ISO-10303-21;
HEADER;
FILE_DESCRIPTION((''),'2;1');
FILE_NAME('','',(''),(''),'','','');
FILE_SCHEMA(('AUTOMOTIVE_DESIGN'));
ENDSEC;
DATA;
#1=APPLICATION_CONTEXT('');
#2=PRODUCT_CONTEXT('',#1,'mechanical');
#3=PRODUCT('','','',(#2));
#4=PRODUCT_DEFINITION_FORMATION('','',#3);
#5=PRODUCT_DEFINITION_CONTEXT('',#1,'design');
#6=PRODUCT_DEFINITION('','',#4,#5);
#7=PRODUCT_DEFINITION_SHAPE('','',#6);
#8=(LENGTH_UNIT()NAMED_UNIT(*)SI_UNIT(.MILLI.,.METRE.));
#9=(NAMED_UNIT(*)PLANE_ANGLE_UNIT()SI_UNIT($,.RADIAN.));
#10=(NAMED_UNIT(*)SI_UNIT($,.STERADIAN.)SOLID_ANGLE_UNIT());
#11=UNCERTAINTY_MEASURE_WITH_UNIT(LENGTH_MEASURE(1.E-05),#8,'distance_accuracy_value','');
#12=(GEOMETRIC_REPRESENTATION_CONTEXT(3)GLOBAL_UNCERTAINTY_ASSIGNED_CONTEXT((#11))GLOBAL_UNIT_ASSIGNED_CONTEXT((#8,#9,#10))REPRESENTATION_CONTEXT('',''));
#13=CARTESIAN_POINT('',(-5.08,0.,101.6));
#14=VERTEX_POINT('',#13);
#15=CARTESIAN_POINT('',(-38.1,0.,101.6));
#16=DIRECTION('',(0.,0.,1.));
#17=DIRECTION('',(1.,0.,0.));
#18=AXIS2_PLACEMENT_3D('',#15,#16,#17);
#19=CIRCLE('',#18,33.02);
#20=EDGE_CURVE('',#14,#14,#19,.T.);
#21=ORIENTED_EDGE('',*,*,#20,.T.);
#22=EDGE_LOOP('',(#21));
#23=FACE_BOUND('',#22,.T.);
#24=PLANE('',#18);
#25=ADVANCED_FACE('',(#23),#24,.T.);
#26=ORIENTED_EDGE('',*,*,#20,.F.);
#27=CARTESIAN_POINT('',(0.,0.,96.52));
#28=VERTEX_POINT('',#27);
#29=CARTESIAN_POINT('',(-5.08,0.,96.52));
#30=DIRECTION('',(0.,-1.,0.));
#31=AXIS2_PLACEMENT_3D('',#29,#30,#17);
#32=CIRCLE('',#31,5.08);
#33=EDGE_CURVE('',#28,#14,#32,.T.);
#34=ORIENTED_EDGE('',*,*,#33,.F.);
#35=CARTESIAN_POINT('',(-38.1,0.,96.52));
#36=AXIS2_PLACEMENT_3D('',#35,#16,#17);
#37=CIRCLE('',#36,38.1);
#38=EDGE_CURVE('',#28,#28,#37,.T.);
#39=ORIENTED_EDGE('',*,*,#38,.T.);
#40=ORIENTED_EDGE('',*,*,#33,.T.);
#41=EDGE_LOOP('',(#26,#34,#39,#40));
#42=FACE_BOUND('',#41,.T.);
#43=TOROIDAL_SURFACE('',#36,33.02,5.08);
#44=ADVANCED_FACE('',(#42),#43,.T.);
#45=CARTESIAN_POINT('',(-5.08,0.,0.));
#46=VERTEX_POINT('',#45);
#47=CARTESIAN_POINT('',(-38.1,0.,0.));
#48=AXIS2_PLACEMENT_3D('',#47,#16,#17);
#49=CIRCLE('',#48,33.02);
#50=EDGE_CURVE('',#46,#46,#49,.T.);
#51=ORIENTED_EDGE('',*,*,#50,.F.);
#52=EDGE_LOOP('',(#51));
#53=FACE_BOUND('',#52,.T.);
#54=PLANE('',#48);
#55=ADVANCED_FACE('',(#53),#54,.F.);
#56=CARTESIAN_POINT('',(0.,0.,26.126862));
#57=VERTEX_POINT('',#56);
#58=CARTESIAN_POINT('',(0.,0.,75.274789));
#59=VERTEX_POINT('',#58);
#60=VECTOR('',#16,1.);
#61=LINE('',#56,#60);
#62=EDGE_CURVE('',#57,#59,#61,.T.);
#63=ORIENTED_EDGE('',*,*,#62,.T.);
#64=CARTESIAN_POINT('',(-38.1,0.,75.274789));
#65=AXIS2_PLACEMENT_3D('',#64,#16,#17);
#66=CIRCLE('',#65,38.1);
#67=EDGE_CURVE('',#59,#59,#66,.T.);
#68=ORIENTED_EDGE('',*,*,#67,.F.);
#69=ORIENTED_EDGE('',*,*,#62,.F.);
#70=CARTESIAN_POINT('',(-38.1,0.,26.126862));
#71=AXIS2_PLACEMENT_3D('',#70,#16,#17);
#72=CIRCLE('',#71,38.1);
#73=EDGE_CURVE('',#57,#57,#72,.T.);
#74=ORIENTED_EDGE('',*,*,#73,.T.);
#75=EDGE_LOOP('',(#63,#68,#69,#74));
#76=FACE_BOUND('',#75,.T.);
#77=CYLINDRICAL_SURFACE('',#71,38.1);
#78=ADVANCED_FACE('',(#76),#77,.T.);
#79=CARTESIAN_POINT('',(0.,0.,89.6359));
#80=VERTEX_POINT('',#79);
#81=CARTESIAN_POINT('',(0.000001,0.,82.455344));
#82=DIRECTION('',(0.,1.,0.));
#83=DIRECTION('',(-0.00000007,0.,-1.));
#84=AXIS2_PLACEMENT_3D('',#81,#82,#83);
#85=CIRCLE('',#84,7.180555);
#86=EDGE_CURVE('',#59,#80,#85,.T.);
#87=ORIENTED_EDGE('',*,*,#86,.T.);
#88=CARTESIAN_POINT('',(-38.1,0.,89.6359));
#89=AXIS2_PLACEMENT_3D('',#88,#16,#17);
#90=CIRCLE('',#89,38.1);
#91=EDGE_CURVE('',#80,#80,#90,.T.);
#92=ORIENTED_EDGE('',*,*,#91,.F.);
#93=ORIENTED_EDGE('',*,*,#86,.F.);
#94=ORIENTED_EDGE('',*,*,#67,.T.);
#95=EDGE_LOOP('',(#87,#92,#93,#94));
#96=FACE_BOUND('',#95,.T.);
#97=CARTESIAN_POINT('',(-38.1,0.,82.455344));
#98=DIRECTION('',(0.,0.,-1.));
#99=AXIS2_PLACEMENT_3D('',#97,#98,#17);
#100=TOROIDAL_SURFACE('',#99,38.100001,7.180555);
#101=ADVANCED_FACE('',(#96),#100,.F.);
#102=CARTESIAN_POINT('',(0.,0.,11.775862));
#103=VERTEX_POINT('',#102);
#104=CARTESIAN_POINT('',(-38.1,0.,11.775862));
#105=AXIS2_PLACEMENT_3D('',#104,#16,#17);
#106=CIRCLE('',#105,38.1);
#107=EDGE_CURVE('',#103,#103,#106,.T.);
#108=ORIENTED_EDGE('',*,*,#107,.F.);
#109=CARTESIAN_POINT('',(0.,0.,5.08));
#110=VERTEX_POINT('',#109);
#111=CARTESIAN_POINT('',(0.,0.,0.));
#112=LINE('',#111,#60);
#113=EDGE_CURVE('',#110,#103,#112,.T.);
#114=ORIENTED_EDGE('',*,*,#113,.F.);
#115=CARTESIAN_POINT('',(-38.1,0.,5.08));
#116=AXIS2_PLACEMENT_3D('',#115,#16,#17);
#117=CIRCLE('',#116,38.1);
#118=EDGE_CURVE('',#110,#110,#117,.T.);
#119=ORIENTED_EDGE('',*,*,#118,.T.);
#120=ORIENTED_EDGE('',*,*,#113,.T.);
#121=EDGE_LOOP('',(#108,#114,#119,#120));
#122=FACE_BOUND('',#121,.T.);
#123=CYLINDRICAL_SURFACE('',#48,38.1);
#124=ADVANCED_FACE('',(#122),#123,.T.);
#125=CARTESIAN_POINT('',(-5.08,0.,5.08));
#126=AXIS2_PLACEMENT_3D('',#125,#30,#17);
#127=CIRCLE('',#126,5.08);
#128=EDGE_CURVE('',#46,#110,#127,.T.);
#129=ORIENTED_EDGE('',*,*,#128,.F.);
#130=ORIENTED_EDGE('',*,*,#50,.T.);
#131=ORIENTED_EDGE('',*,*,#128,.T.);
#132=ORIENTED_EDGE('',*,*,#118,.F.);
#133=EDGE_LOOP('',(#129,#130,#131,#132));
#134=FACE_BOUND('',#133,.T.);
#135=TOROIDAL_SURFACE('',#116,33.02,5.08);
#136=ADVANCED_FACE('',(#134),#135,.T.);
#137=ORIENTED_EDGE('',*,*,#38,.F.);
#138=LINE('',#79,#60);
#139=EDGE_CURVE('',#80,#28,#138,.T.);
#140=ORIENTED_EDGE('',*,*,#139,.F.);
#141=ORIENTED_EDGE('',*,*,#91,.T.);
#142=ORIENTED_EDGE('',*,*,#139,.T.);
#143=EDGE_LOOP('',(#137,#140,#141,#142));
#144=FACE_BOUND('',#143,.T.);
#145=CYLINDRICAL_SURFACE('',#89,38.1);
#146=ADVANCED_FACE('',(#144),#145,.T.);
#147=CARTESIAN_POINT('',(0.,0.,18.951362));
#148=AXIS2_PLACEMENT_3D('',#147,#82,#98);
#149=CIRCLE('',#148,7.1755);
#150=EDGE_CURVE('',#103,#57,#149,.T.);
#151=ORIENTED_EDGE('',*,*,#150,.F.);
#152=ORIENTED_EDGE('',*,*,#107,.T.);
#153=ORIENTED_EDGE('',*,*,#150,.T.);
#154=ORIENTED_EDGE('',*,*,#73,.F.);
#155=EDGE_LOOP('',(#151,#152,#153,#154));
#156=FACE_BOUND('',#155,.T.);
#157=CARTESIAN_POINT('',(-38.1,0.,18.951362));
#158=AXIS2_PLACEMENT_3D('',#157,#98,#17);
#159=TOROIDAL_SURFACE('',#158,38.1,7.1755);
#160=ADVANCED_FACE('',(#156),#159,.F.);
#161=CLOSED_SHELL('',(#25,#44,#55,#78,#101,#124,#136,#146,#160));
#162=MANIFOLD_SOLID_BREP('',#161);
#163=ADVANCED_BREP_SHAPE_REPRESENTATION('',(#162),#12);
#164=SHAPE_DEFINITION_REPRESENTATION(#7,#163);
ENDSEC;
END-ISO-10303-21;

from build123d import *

# Parameters (mm, degrees)
F2_R = 5.08


with BuildPart() as f1:
    # F0 (on Front) → F1 (revolve)
    with BuildSketch(Plane.XZ):
        with BuildLine():
            Line((-38.1, 0), (0, 0))
            Line((0, 0), (0, 11.775862))
            ThreePointArc((0, 11.775862), (-7.1755, 18.951362), (0, 26.126862))
            Line((0, 26.126862), (0, 75.274789))
            ThreePointArc((0, 75.274789), (-7.180555, 82.455344), (0, 89.6359))
            Line((0, 89.6359), (0, 101.6))
            Line((0, 101.6), (-38.1, 101.6))
            Line((-38.1, 101.6), (-38.1, 0))
        make_face()
    revolve(axis=Axis((-38.1, 0, 50.8), (0, 0, 1)))

    # F2
    f2_edges = [f1.edges().sort_by_distance(p)[0] for p in [
        (-76.2, 0, 101.6),
        (-76.2, 0, 0),
    ]]
    fillet(f2_edges, radius=F2_R)


solid = f1.part
